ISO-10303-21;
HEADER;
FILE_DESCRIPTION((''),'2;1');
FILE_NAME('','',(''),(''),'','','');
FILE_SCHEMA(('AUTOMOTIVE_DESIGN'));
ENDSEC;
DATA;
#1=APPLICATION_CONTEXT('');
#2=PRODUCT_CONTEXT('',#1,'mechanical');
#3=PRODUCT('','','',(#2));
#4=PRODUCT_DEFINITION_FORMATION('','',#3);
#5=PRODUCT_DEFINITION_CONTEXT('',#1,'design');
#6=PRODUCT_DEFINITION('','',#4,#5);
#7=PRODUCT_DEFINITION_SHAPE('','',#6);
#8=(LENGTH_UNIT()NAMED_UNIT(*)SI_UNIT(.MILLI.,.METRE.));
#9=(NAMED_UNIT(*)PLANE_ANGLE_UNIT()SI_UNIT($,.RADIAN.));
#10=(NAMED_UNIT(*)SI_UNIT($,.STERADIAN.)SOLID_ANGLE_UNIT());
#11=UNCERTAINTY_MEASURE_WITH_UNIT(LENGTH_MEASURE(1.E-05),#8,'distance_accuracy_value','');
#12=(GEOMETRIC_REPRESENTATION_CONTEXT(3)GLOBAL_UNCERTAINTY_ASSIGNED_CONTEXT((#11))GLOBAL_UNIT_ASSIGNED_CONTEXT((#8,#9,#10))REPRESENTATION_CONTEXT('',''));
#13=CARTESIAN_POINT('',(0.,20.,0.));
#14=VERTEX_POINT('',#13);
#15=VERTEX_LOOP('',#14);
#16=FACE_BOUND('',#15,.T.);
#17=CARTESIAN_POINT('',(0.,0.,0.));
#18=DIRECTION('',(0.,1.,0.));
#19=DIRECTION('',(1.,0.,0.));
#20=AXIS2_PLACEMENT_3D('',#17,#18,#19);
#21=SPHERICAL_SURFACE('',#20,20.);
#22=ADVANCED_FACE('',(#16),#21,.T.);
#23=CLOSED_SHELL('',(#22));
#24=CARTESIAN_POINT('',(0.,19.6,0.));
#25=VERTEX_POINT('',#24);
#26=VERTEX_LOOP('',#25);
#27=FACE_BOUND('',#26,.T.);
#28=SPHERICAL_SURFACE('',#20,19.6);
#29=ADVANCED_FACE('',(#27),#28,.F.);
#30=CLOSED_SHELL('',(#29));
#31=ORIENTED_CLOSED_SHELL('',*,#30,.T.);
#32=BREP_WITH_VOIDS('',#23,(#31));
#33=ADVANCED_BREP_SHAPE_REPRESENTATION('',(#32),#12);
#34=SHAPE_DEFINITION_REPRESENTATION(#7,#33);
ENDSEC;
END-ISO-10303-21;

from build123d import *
from build123d.topology import SkipClean

# Parameters (mm, degrees)
SHELL1_T = 0.4


with BuildPart() as part:
    # Sketch1 → Revolve2 (revolve)
    with SkipClean():  # the faces are left unmerged after this step: merging them gives an invalid solid
        with BuildSketch(Plane.XY):
            with BuildLine():
                ThreePointArc((20, 0), (14.142135624, 14.142135624), (0, 20))
                Line((0, 20), (0, -20))
                ThreePointArc((0, -20), (14.142135624, -14.142135624), (20, 0))
            make_face()
            with BuildLine():
                Line((0, -20), (0, 20))
                ThreePointArc((0, 20), (-20, 0), (0, -20))
            make_face()
        revolve(axis=Axis((0, 20, 0), (0, -1, 0)))

    # Shell1 (no face opened: a closed hollow body)
    add(offset(amount=-SHELL1_T, mode=Mode.PRIVATE), mode=Mode.SUBTRACT)


solid = part.part
